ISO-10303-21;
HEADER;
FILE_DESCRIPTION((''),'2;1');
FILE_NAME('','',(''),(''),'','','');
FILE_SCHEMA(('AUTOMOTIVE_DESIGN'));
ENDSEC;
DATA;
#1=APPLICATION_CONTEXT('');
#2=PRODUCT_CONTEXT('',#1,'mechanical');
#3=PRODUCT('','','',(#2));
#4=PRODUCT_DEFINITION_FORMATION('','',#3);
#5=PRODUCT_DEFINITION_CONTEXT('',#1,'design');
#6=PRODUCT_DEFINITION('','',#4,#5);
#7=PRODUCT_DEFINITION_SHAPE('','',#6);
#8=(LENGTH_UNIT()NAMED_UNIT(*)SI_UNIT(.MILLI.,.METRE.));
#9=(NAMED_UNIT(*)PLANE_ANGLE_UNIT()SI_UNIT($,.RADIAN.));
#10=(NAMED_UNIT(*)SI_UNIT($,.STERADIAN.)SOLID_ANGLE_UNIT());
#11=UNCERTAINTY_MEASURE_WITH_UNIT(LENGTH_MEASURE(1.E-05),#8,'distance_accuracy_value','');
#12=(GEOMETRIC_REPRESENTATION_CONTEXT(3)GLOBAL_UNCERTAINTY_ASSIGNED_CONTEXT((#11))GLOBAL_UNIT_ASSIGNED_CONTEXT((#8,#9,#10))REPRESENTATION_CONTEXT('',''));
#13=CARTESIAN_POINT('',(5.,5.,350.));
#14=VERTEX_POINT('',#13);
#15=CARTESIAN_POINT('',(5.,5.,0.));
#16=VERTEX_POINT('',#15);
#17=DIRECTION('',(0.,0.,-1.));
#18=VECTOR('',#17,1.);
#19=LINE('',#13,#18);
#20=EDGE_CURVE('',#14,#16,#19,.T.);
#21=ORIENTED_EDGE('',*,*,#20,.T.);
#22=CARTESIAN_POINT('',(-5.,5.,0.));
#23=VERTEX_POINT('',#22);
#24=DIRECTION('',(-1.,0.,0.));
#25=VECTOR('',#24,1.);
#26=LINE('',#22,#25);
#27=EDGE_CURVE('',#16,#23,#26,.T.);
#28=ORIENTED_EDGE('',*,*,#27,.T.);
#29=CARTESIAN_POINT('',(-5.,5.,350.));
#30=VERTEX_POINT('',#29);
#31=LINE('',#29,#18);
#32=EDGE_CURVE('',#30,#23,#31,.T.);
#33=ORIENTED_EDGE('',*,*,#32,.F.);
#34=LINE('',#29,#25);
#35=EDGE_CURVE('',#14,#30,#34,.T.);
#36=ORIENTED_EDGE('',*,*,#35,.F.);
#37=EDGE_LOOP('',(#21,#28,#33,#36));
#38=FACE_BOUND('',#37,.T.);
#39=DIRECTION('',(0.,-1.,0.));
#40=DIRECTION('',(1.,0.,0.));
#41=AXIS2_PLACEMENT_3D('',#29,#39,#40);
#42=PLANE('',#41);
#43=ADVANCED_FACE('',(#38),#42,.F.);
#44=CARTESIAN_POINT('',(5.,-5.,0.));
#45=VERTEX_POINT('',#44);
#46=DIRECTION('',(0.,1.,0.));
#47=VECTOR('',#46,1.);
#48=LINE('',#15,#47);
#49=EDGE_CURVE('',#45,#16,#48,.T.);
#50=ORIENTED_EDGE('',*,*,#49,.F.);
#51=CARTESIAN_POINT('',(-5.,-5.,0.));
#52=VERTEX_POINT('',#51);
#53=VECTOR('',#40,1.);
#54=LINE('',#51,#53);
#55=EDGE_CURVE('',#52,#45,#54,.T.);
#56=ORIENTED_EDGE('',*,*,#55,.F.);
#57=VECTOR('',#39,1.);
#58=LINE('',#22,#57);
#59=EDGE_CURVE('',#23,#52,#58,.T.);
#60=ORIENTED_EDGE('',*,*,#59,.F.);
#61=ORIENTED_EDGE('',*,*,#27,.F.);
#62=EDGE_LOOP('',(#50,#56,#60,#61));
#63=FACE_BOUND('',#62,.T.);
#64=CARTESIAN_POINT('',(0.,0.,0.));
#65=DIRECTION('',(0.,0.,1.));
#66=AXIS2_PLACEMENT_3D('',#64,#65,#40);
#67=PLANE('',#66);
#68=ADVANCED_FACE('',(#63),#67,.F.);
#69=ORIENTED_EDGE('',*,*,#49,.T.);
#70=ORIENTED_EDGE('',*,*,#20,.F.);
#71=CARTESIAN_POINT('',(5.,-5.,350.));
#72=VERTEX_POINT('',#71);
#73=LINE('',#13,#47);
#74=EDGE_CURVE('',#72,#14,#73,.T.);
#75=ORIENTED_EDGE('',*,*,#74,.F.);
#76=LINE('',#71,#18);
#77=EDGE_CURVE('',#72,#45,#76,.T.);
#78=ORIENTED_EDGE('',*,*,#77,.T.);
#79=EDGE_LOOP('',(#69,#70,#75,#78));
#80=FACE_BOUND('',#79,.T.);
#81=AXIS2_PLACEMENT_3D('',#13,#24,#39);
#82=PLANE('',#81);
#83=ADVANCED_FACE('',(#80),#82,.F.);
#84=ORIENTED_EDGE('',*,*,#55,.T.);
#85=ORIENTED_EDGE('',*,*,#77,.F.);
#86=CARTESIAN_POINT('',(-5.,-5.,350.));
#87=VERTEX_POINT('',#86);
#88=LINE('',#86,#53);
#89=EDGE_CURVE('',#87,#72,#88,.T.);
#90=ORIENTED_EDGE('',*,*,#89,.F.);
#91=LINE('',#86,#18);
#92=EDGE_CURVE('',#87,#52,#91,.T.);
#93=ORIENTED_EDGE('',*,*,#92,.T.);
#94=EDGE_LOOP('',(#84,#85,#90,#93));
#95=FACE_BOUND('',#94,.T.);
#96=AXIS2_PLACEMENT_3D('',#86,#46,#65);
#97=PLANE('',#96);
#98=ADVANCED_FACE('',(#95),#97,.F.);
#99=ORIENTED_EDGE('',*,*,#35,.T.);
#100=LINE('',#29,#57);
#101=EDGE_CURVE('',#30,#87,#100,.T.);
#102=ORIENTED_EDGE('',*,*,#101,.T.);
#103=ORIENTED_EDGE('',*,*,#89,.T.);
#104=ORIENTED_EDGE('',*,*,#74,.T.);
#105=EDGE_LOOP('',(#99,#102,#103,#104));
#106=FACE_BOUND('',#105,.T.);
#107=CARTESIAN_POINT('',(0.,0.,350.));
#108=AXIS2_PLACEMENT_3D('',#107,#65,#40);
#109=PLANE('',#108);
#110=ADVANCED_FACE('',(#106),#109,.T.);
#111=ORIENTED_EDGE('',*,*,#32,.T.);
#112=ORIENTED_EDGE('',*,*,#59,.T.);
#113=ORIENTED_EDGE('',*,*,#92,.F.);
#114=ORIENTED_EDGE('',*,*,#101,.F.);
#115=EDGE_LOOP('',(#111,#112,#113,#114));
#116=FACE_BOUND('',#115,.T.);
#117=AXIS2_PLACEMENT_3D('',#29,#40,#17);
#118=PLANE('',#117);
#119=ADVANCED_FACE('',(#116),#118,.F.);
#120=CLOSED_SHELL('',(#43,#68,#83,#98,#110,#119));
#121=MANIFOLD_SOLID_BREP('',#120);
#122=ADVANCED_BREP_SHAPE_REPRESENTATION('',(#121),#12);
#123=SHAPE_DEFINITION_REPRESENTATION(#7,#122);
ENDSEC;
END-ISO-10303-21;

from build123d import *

# Parameters (mm, degrees)
ESQUISSE1_W        = 10
ESQUISSE1_H        = 10
BOSS_EXTRU_1_DEPTH = 350


with BuildPart() as part:
    # Esquisse1 → Boss.-Extru.1 (new body)
    with BuildSketch(Plane.XY):
        Rectangle(ESQUISSE1_W, ESQUISSE1_H)
    extrude(amount=BOSS_EXTRU_1_DEPTH)


solid = part.part
